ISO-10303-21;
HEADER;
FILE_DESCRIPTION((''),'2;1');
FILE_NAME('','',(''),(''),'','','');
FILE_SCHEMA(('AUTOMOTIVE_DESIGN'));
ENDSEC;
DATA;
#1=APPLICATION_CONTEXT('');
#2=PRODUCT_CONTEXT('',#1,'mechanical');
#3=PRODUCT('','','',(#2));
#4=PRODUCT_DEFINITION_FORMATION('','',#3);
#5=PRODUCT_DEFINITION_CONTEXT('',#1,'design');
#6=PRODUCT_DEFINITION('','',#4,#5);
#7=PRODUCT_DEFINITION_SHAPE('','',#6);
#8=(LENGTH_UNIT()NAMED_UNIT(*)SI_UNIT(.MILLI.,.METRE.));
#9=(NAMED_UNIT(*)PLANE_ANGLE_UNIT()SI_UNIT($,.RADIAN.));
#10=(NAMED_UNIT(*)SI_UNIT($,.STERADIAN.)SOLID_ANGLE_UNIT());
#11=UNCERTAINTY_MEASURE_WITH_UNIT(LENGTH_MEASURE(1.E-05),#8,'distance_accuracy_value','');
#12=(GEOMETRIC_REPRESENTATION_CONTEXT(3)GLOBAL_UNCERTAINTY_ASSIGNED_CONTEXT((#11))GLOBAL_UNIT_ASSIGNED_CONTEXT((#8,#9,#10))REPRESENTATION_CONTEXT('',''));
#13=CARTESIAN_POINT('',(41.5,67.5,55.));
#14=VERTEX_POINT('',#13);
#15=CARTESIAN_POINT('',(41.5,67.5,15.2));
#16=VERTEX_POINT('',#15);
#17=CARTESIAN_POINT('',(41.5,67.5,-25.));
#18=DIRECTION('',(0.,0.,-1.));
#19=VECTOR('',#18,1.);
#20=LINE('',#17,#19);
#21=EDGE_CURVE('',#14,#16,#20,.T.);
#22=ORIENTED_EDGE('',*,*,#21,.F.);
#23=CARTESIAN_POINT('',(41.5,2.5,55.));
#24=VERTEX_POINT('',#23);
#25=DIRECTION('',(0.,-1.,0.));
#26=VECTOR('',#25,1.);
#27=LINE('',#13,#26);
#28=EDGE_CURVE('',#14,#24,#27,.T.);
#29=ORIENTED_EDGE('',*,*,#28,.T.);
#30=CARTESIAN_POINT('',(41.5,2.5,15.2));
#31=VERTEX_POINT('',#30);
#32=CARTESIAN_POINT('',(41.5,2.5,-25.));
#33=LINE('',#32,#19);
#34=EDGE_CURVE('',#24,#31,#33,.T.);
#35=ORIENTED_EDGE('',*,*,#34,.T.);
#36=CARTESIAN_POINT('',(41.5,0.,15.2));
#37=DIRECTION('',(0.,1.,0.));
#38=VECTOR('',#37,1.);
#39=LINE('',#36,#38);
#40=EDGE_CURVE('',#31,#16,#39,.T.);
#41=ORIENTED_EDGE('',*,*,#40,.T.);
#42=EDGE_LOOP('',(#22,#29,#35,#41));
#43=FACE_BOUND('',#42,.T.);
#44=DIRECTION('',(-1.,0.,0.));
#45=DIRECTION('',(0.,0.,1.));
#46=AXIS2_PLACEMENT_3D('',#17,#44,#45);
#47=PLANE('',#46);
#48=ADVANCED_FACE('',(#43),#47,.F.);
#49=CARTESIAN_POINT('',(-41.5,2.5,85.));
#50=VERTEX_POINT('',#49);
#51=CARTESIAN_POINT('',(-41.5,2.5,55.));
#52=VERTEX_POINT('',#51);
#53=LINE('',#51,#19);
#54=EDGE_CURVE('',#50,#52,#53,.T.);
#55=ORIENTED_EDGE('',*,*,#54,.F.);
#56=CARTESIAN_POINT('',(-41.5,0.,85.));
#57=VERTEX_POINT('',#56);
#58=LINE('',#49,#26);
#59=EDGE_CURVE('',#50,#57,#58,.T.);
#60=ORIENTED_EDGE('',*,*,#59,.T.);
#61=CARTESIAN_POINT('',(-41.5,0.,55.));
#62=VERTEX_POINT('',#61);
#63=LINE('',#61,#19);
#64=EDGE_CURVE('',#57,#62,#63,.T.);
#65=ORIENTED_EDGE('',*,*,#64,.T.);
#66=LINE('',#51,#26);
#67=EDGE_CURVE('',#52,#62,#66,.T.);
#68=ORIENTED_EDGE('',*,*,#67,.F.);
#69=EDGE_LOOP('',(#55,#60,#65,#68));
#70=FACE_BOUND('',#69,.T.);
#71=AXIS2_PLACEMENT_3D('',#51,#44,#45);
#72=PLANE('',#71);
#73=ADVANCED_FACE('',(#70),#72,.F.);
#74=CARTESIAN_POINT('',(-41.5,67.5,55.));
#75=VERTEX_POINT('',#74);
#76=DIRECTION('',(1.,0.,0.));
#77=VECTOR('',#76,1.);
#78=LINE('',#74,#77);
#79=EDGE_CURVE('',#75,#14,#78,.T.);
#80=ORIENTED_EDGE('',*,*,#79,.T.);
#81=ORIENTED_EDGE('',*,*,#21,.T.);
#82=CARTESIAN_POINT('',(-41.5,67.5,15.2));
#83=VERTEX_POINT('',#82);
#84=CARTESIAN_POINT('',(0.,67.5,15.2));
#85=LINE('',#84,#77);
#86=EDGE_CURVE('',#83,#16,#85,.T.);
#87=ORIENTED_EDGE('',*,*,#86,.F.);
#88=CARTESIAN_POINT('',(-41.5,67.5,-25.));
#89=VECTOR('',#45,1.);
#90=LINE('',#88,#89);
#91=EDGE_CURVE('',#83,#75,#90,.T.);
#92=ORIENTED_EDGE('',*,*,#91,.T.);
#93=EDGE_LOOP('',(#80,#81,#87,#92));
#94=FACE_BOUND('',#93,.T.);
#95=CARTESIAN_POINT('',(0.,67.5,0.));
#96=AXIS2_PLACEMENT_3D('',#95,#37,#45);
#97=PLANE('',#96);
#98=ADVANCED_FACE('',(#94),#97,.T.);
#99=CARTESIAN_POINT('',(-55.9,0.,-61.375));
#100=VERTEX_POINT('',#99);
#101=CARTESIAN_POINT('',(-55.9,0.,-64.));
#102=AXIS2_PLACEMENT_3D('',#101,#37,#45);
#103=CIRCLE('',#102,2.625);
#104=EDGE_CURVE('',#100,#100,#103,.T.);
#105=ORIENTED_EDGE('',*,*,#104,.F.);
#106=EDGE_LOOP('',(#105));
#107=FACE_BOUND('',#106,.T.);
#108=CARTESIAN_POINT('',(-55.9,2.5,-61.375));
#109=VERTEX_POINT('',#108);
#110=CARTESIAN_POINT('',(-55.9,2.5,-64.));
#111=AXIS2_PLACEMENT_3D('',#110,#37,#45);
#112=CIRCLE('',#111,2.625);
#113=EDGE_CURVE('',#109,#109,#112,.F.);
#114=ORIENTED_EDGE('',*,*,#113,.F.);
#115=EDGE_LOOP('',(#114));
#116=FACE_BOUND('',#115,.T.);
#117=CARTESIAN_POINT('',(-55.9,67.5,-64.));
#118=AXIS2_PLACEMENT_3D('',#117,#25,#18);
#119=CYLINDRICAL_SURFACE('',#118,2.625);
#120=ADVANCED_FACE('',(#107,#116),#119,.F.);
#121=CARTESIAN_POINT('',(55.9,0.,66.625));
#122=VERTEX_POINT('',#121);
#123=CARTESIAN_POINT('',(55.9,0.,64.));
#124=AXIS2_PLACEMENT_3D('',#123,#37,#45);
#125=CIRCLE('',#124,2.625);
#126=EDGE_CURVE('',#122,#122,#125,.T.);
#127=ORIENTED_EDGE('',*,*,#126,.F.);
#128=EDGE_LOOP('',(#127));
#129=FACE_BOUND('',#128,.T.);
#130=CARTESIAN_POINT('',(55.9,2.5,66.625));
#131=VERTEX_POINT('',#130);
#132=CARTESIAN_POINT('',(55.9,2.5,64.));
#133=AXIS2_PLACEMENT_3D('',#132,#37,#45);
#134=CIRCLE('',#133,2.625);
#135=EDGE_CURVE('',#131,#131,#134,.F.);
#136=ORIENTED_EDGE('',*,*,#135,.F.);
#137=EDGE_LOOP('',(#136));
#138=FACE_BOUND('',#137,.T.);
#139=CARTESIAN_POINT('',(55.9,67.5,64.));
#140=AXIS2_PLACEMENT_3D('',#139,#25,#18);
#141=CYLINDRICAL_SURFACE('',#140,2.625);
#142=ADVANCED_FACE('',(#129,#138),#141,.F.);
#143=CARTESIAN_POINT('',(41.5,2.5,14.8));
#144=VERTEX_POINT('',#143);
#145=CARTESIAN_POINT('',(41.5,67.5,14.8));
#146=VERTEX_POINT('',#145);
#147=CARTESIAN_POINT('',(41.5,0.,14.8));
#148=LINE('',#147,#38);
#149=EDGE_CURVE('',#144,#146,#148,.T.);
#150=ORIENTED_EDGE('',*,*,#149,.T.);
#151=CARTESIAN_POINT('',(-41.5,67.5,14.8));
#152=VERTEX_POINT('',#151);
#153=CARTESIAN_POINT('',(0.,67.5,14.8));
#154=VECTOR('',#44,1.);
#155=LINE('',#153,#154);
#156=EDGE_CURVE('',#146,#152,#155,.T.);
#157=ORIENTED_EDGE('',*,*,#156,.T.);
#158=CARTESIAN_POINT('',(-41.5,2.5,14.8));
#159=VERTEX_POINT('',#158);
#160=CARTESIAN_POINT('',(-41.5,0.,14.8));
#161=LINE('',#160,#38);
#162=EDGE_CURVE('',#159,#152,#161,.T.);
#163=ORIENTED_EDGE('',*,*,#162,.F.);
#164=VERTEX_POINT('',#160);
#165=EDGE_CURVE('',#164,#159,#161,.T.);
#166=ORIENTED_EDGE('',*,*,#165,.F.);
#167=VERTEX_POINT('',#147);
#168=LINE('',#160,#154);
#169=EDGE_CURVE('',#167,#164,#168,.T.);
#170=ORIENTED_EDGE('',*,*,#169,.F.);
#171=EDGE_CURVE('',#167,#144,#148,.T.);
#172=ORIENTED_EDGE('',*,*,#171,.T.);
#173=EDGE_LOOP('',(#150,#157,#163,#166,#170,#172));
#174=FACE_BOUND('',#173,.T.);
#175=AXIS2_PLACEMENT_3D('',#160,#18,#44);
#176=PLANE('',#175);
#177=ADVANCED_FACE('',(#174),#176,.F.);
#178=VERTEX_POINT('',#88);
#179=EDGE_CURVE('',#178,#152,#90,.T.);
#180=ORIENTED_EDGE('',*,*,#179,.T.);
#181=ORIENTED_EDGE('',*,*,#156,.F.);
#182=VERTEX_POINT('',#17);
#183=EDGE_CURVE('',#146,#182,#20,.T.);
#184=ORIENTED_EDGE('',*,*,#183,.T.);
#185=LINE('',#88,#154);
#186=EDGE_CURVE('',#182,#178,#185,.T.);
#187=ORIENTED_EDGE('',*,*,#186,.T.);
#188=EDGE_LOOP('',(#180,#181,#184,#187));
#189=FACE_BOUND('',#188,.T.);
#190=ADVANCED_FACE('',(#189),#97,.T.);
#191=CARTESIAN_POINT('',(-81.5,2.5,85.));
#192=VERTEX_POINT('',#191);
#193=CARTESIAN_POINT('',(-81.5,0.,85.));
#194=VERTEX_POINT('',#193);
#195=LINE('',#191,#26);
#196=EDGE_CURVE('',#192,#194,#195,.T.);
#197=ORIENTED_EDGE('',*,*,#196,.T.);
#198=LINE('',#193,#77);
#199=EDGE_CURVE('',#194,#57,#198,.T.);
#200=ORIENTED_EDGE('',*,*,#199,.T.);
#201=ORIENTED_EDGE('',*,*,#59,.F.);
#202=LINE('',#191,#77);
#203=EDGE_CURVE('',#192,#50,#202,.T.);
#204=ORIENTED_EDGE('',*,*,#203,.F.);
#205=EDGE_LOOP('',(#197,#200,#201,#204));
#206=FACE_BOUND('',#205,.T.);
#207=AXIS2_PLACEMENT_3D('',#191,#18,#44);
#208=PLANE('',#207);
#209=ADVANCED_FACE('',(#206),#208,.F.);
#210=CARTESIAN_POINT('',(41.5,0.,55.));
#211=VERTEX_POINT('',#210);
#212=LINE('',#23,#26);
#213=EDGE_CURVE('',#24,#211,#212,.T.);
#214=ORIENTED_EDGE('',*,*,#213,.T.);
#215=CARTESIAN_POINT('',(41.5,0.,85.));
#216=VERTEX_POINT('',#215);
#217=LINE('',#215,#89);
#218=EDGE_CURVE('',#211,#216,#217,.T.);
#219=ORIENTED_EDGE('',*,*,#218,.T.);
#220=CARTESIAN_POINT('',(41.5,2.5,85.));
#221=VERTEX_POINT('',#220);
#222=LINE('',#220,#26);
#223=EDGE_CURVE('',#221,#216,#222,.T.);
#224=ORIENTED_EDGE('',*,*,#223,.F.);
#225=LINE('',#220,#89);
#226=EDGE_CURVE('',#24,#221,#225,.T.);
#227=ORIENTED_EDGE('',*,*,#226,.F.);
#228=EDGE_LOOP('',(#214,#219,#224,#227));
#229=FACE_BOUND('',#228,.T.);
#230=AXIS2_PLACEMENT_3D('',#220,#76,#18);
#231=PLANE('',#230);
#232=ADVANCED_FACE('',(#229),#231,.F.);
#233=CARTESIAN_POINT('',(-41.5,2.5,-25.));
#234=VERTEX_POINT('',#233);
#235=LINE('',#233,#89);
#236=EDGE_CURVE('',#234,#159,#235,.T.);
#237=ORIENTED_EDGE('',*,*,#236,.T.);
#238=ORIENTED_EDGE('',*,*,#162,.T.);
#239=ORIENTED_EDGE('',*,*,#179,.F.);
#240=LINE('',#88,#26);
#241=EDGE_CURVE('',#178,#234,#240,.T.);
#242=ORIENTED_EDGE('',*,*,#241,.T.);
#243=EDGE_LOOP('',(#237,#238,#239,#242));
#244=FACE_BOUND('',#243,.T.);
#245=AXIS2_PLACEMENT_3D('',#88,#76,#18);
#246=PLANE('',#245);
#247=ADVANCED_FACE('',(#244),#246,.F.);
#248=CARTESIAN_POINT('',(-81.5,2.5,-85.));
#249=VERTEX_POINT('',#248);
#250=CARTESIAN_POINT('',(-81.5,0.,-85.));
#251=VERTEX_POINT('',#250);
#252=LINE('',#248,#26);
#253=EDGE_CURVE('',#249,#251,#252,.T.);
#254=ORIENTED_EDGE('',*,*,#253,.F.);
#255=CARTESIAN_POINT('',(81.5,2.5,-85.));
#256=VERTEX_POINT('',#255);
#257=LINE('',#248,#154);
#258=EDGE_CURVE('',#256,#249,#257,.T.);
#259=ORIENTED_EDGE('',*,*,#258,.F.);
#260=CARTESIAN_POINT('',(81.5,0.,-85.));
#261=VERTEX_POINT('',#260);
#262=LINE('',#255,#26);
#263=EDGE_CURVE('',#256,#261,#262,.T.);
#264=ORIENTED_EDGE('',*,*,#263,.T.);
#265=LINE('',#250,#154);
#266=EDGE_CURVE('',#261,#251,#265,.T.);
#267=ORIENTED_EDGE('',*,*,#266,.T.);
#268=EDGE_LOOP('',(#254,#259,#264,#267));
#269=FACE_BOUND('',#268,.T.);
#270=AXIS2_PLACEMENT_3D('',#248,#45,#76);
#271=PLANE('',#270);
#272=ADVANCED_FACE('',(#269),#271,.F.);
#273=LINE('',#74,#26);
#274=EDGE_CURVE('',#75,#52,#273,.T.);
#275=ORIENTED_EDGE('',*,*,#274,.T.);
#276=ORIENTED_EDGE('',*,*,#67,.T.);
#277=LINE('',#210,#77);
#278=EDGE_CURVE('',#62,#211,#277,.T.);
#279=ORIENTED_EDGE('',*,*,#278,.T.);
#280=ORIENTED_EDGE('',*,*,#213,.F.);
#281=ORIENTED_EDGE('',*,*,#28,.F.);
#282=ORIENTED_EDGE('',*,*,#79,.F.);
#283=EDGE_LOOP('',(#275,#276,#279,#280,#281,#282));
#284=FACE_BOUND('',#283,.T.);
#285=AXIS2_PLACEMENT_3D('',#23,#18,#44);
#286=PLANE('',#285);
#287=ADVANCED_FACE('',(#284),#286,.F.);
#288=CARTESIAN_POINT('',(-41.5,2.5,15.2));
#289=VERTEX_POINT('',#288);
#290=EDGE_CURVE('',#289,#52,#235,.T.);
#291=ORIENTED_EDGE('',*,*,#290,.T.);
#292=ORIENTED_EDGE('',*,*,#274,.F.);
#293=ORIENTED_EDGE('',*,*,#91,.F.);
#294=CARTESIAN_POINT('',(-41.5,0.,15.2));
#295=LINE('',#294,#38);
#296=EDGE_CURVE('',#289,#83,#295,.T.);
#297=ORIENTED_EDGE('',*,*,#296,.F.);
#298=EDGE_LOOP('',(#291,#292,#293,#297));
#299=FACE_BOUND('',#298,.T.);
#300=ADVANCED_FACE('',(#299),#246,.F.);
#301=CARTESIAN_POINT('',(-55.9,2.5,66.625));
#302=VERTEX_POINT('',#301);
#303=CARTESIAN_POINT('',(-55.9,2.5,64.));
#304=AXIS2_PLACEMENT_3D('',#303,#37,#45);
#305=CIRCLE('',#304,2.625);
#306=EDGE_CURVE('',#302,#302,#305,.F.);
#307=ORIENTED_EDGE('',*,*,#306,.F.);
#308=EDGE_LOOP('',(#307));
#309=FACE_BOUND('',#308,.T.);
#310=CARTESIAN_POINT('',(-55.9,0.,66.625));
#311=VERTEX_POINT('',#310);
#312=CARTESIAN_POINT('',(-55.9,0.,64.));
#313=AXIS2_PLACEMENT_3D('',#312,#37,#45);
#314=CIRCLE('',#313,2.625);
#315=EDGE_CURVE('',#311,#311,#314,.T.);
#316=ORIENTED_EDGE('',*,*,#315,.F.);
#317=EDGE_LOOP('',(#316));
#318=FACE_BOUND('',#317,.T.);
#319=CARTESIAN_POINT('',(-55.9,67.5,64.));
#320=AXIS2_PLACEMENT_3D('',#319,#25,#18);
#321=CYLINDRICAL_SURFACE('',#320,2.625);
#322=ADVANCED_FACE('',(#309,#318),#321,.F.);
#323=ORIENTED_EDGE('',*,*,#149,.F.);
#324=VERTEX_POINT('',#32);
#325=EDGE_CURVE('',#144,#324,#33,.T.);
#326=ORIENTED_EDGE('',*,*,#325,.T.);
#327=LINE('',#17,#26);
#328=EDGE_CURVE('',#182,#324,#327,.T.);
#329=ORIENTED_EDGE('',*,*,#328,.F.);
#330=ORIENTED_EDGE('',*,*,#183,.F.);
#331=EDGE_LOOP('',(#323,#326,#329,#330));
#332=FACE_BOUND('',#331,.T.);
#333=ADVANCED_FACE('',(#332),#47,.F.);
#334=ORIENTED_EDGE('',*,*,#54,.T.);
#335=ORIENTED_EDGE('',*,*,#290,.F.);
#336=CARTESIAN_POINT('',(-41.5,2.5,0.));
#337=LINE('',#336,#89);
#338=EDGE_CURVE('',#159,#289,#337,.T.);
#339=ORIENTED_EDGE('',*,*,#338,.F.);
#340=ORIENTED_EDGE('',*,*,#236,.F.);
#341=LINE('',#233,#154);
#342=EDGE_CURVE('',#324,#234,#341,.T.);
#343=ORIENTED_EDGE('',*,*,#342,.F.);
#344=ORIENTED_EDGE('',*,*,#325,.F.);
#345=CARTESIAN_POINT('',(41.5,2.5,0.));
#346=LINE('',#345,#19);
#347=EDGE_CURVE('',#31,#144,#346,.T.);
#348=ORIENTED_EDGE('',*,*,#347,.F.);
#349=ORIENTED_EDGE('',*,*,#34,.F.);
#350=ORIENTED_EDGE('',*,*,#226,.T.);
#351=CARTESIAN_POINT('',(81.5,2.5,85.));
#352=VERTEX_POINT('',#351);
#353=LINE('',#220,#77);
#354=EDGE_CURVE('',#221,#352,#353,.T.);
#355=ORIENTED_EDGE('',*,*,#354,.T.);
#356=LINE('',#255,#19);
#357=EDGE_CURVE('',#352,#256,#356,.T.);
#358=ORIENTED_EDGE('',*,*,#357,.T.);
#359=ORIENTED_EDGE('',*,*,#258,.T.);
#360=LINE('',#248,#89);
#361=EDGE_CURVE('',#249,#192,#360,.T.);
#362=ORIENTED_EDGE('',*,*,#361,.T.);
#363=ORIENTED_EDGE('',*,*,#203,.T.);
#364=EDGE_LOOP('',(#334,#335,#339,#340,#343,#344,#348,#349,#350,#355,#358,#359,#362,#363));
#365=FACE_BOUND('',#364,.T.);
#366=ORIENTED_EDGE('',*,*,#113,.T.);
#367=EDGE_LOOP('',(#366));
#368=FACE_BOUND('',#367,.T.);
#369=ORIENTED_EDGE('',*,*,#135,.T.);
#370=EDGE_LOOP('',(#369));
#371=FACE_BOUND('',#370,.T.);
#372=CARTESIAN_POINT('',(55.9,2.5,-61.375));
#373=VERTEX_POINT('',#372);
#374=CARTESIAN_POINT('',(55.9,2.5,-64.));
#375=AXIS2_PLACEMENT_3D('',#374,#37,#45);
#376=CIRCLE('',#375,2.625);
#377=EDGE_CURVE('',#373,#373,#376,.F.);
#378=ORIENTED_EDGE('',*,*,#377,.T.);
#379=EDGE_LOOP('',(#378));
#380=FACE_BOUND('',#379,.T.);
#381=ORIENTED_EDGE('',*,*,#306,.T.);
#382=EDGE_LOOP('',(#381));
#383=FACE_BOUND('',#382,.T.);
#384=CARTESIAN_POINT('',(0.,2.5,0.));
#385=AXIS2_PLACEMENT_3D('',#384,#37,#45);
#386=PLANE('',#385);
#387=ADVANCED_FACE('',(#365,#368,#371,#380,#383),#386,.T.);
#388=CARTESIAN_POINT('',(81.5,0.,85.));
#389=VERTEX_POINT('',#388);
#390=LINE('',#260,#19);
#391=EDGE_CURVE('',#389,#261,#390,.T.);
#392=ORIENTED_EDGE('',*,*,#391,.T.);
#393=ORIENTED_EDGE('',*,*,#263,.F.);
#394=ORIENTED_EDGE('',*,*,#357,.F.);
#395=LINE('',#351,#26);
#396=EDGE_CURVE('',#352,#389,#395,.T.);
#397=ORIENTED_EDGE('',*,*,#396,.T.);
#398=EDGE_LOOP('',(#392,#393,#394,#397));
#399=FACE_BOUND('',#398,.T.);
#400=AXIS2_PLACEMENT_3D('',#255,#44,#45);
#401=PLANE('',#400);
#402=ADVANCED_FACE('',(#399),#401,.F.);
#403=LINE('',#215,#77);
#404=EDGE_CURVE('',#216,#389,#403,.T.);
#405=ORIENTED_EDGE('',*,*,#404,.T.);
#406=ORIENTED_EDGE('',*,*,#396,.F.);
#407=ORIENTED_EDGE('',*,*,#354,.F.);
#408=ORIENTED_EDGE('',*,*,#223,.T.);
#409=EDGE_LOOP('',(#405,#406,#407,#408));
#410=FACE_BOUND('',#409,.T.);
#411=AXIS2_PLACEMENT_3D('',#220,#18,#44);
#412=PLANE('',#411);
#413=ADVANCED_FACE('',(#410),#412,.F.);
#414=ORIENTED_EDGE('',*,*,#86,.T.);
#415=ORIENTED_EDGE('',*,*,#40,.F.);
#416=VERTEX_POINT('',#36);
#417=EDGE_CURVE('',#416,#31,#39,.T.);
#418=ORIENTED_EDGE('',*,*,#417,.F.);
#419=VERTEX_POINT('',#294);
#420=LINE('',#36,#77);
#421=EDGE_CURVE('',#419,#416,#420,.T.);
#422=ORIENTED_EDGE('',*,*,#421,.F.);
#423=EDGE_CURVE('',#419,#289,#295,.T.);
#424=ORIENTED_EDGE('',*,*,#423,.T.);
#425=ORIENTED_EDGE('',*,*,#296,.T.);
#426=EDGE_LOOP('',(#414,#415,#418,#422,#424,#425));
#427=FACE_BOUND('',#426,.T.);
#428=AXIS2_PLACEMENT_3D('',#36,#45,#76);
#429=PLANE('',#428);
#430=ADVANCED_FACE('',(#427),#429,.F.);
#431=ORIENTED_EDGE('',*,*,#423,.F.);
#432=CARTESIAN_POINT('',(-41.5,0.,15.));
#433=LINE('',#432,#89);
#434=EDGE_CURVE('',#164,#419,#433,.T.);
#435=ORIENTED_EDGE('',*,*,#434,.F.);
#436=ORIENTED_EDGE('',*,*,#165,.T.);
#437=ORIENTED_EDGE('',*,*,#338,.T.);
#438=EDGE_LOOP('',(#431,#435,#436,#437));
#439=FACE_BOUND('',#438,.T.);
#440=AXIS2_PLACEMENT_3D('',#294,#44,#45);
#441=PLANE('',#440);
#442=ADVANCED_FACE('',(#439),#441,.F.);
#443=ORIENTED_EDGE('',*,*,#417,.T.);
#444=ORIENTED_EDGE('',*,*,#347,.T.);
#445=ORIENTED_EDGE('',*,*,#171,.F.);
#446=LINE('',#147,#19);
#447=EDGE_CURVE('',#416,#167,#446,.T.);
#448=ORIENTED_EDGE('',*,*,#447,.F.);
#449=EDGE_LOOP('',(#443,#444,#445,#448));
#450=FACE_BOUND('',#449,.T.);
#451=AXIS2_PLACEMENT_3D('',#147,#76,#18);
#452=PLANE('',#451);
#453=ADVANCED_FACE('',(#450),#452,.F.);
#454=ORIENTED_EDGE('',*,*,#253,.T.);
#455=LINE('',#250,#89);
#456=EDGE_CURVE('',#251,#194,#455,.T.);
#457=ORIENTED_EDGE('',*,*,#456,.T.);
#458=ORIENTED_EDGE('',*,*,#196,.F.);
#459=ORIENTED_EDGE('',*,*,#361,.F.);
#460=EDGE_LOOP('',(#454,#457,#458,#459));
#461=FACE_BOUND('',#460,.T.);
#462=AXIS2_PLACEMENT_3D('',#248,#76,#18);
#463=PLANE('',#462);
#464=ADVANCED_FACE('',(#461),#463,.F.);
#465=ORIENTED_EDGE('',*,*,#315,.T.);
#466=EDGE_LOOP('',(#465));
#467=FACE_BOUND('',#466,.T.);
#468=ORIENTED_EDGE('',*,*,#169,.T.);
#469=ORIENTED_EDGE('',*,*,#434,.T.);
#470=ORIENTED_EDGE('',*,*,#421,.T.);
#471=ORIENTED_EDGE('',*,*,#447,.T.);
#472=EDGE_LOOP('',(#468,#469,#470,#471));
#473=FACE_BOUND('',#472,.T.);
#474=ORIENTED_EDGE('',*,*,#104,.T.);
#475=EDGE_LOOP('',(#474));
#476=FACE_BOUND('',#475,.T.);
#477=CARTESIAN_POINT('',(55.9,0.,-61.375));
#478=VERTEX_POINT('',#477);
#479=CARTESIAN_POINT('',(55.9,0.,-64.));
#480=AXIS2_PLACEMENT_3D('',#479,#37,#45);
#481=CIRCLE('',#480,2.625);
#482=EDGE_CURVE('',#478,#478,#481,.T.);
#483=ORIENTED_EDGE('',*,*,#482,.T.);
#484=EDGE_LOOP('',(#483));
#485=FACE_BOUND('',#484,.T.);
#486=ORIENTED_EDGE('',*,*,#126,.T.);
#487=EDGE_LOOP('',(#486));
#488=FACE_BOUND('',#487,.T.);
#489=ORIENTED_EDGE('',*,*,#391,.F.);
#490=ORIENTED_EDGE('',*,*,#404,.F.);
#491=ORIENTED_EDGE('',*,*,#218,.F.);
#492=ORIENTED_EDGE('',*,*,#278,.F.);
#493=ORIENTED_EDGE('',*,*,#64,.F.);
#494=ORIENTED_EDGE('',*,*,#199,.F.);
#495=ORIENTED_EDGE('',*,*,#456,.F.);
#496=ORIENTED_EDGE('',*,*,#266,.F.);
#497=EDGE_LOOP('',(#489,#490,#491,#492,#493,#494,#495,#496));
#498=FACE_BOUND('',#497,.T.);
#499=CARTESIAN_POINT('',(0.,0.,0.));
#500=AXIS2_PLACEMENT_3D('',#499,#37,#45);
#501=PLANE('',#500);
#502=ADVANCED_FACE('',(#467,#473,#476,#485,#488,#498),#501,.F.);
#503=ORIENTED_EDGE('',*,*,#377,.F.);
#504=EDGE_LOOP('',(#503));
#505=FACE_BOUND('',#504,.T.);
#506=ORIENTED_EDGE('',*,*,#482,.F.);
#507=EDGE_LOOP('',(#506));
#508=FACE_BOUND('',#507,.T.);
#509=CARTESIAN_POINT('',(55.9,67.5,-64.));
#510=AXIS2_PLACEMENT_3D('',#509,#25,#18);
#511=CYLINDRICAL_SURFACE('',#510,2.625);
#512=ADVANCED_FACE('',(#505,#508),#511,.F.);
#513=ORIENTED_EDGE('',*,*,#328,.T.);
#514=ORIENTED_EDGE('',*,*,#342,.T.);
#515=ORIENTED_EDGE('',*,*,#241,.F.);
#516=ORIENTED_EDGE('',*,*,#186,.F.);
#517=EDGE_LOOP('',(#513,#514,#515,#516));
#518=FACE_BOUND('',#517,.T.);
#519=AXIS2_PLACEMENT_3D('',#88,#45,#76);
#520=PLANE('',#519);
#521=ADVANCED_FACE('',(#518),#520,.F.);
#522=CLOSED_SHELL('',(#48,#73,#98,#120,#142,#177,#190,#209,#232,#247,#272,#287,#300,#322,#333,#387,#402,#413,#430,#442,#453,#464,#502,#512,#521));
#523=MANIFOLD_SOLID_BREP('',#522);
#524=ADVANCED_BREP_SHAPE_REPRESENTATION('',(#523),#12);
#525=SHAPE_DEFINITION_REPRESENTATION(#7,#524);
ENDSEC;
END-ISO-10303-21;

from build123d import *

# Parameters (mm, degrees)
SALIENTE_EXTRUIR1_DEPTH = 2.5
CROQUIS2_W              = 83
CROQUIS2_H              = 80
SALIENTE_EXTRUIR2_DEPTH = 65
CORTAR_EXTRUIR1_DEPTH   = 71
CROQUIS4_R              = 2.625
CORTAR_EXTRUIR2_DEPTH   = 68.5


with BuildPart() as part:
    # Croquis1 → Saliente-Extruir1 (new body)
    with BuildSketch(Plane(origin=(0, 0, 0), x_dir=(1, 0, 0), z_dir=(0, 1, 0))):
        Polygon((41.5, -85), (81.5, -85), (81.5, 85), (-81.5, 85), (-81.5, -85), (-41.5, -85), (-41.5, -55), (41.5, -55), align=None)
    extrude(amount=SALIENTE_EXTRUIR1_DEPTH)

    # Croquis2 → Saliente-Extruir2 (add)
    with BuildSketch(Plane(origin=(0, 2.5, 0), x_dir=(1, 0, 0), z_dir=(0, 1, 0))):
        with Locations((0, -15)):
            Rectangle(CROQUIS2_W, CROQUIS2_H)
    extrude(amount=SALIENTE_EXTRUIR2_DEPTH)

    # Croquis3 → Cortar-Extruir1 (cut, through all)
    with BuildSketch(Plane(origin=(0, 70, 0), x_dir=(1, 0, 0), z_dir=(0, 1, 0))):
        Polygon((-41.5, -15), (-41.5, -14.8), (41.5, -14.8), (41.5, -15.2), (-41.5, -15.2), align=None)
    extrude(amount=-CORTAR_EXTRUIR1_DEPTH, mode=Mode.SUBTRACT)

    # Croquis4 → Cortar-Extruir2 (cut, through all)
    with BuildSketch(Plane(origin=(0, 0, 0), x_dir=(1, 0, 0), z_dir=(0, 1, 0))):
        with Locations((-55.9, -64)):
            Circle(CROQUIS4_R)
        with Locations((55.9, -64)):
            Circle(CROQUIS4_R)
        with Locations((-55.9, 64)):
            Circle(CROQUIS4_R)
        with Locations((55.9, 64)):
            Circle(CROQUIS4_R)
    extrude(amount=CORTAR_EXTRUIR2_DEPTH, mode=Mode.SUBTRACT)


solid = part.part
